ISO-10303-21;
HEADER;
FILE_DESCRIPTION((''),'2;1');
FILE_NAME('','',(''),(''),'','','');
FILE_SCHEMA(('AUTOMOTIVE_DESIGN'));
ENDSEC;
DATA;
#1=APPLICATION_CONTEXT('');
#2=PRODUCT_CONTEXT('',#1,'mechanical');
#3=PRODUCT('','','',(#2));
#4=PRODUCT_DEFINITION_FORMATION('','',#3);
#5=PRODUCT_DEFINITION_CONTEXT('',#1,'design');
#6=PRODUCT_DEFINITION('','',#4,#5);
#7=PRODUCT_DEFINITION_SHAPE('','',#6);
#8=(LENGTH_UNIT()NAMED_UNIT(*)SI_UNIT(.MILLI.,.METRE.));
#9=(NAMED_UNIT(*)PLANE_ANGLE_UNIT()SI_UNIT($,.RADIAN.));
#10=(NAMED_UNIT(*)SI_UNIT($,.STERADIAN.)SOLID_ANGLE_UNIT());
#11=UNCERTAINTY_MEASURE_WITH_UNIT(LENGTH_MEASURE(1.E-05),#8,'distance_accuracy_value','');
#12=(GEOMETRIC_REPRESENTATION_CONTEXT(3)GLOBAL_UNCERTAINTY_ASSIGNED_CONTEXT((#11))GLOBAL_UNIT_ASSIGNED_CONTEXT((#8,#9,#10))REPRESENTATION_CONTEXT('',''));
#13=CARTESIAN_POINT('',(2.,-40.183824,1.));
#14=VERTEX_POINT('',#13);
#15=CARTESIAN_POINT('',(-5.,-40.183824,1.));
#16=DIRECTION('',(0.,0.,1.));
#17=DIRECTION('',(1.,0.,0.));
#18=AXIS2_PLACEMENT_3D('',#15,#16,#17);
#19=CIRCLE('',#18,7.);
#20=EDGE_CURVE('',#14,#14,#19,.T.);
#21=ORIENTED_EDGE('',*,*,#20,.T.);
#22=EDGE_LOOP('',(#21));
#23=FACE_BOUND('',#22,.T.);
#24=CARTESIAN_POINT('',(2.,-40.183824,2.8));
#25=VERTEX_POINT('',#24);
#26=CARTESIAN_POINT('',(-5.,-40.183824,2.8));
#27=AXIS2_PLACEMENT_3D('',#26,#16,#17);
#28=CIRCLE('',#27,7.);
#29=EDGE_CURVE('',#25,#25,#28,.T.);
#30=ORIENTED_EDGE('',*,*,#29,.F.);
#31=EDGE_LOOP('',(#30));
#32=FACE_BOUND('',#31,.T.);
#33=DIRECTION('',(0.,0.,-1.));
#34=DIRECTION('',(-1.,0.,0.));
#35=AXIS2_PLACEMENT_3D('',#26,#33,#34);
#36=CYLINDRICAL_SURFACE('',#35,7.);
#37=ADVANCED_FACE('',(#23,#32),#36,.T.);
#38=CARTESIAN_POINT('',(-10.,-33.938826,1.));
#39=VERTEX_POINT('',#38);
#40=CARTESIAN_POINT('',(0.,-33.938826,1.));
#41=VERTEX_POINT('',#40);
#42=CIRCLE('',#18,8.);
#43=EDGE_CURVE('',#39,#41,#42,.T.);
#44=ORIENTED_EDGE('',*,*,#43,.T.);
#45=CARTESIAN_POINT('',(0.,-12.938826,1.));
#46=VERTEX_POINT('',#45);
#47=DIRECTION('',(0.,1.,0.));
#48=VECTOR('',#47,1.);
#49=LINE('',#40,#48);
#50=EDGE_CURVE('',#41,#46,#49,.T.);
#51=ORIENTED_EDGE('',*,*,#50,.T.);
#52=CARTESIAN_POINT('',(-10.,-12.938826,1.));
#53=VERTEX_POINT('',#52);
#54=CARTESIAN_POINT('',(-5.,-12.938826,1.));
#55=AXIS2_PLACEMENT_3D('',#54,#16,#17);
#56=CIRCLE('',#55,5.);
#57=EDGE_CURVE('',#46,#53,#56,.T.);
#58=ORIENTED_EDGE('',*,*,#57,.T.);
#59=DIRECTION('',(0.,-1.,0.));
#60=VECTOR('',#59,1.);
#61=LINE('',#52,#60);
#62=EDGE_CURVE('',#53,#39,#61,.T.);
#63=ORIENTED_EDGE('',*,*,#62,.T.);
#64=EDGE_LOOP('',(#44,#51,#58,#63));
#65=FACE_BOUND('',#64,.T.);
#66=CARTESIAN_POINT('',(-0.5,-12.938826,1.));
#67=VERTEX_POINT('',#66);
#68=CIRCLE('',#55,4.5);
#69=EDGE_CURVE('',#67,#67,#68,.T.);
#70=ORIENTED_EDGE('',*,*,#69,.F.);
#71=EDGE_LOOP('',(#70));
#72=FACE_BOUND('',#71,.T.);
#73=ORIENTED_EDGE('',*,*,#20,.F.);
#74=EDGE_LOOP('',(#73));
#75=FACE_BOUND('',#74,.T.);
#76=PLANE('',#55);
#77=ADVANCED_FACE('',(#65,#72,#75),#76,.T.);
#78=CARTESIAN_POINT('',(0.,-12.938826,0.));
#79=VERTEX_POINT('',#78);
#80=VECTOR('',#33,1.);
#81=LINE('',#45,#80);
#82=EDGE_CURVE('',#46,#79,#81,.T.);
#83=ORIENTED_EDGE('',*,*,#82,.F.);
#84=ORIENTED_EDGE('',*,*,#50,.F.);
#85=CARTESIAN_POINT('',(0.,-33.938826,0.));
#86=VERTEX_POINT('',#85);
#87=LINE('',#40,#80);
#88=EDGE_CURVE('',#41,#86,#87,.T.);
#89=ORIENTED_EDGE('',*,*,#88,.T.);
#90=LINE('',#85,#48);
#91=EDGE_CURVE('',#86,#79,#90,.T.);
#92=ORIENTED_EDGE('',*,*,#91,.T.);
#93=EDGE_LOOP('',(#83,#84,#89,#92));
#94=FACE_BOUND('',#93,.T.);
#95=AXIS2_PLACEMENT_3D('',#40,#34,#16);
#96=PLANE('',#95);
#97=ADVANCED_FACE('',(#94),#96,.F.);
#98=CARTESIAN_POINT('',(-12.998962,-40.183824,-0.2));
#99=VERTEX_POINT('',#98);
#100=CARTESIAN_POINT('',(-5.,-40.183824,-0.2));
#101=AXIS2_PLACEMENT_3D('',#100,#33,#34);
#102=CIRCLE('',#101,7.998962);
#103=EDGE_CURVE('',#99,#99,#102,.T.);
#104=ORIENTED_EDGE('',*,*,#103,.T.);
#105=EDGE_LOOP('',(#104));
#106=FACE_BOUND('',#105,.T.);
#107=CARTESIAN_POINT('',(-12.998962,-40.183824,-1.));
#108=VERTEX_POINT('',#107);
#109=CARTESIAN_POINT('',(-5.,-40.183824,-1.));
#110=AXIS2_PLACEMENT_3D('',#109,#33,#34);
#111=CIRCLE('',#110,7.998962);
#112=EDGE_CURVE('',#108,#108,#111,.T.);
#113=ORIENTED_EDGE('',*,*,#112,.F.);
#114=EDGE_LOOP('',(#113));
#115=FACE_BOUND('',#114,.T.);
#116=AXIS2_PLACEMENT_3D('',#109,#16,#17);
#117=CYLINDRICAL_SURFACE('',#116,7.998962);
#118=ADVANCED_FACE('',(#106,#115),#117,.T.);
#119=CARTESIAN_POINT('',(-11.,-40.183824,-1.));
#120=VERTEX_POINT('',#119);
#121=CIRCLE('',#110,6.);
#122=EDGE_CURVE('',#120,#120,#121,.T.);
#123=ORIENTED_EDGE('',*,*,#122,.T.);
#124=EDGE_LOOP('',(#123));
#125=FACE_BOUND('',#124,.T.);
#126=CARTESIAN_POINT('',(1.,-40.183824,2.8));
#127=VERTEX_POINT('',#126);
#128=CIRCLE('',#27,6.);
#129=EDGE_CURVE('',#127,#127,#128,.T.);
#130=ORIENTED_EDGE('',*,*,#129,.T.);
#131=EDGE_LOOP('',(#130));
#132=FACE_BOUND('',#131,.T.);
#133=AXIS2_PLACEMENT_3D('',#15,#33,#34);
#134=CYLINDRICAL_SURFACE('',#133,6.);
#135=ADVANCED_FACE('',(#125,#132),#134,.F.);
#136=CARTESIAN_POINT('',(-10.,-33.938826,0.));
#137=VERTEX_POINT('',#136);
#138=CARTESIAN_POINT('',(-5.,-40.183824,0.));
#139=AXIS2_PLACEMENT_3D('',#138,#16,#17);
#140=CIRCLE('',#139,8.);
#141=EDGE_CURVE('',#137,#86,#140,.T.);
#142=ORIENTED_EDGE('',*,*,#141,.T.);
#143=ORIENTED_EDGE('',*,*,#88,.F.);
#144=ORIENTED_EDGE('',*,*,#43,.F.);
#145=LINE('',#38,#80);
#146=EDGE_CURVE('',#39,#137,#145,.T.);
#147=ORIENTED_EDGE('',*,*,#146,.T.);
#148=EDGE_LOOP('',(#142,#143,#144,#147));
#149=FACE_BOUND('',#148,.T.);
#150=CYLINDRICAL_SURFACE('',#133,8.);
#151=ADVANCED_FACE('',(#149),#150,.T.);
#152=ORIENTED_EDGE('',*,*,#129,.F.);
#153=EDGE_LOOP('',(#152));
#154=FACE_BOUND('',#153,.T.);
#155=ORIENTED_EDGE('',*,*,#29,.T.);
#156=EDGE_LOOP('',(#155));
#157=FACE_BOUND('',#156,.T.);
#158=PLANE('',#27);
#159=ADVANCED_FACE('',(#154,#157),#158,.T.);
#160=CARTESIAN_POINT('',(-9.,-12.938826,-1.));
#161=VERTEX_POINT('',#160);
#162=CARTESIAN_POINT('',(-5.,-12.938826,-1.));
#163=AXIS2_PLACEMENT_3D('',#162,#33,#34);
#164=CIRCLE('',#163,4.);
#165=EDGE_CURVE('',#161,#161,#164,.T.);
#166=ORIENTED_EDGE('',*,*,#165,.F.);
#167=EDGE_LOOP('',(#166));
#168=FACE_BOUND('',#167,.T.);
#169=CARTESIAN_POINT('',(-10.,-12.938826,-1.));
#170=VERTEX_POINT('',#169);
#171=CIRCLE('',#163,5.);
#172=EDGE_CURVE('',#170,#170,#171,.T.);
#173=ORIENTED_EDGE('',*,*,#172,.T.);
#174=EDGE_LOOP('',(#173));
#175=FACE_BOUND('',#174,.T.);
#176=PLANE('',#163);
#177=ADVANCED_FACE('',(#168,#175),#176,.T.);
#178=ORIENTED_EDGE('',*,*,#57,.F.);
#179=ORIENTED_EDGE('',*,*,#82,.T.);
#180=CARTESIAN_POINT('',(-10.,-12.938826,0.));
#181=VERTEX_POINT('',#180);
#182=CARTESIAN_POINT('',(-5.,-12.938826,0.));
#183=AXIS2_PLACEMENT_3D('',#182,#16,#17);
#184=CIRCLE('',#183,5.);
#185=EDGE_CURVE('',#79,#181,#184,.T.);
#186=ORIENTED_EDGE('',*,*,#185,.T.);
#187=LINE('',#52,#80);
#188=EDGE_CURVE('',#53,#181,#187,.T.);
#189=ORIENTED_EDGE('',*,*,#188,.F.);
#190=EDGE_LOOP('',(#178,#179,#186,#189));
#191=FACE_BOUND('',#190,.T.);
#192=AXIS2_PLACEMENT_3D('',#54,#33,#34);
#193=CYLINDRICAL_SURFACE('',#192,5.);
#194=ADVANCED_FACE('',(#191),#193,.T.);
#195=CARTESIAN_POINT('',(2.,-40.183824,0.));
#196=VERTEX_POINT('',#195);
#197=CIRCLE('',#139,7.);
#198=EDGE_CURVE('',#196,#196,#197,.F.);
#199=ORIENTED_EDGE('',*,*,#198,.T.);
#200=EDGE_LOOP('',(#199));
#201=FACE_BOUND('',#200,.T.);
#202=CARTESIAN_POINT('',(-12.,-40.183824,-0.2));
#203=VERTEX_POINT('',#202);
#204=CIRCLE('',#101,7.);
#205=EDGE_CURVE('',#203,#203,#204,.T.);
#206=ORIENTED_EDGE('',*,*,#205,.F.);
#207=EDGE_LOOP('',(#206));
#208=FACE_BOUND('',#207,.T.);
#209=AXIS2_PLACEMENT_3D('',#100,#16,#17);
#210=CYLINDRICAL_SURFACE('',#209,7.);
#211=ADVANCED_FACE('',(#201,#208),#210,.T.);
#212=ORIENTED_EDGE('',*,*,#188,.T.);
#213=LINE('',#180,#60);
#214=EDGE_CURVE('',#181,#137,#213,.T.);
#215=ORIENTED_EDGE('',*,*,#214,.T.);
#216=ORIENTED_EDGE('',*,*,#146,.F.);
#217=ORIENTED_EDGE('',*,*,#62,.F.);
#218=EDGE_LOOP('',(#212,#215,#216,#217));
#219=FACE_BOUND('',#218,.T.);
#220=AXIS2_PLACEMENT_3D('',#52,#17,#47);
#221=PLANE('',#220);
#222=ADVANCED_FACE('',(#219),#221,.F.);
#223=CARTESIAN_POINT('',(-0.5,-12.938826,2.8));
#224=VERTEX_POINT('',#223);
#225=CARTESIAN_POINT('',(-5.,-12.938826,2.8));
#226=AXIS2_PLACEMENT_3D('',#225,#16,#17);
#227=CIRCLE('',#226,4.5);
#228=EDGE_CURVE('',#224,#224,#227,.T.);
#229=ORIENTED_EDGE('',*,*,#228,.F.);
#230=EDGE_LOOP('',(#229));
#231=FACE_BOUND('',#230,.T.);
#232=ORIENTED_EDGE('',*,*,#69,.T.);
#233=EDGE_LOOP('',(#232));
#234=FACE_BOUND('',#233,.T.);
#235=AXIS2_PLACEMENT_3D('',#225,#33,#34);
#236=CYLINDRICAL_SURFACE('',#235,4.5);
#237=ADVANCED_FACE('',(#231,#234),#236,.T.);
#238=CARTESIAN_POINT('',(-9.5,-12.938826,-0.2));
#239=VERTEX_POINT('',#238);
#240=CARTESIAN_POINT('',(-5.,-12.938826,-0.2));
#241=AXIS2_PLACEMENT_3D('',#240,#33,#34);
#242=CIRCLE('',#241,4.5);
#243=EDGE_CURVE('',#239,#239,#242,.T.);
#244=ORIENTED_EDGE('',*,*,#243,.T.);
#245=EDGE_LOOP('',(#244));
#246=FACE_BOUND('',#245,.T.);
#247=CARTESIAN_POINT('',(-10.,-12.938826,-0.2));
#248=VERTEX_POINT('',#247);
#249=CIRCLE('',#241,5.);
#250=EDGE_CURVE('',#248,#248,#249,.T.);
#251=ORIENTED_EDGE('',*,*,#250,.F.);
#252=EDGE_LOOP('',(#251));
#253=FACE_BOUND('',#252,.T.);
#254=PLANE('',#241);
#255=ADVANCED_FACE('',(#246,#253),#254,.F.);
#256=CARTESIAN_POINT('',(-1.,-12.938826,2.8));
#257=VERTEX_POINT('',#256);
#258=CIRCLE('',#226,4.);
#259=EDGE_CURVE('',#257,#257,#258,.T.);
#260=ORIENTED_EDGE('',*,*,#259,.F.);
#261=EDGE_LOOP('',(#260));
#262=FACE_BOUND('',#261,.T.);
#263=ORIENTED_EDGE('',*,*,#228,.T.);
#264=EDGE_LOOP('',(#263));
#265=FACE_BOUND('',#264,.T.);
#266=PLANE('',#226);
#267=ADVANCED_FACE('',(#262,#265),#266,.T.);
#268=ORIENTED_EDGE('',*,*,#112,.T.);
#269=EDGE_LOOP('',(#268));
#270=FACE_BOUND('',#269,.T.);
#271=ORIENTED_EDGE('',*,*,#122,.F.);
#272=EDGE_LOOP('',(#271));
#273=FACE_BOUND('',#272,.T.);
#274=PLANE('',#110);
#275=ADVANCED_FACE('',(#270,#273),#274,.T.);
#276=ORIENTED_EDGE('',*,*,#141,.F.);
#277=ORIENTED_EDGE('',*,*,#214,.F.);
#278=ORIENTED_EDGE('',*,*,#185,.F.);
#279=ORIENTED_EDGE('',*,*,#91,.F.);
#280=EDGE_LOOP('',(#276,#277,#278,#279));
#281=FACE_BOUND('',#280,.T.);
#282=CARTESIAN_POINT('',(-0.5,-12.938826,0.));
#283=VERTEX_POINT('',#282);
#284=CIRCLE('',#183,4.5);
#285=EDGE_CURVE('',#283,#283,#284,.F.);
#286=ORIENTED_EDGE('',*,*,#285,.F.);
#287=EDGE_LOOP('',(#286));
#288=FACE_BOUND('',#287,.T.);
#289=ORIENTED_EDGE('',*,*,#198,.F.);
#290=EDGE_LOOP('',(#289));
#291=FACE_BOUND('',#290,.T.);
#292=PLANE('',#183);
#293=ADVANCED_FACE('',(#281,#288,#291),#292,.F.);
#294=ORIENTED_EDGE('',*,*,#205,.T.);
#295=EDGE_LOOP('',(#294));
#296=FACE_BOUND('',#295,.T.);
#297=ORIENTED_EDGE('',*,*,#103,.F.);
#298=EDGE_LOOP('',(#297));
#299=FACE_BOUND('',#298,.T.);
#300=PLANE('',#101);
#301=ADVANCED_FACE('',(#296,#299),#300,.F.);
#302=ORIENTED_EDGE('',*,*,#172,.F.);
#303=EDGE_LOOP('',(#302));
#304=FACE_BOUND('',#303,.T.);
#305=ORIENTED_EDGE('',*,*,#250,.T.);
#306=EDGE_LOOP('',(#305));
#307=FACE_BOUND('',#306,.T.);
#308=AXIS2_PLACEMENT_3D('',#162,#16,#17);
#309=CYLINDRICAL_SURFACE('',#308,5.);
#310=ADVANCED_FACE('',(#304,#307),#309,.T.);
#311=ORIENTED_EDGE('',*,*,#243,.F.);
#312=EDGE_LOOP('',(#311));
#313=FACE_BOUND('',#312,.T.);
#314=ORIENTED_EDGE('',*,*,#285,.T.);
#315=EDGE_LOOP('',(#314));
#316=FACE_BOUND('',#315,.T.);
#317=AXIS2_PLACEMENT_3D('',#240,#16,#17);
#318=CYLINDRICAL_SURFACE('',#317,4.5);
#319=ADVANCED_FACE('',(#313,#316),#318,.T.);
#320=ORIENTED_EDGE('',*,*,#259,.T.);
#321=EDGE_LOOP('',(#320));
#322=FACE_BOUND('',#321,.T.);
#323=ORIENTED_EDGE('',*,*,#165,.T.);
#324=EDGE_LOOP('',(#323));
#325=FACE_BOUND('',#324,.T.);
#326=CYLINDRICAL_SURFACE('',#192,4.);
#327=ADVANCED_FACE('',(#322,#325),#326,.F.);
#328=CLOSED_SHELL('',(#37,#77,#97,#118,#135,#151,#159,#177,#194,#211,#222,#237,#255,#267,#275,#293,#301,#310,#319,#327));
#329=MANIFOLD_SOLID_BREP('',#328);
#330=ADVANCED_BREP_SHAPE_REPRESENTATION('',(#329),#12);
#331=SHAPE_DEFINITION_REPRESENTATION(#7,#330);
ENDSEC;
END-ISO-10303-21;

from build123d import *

# Parameters (mm, degrees)
CROQUIS1_R              = 6
CROQUIS1_R_2            = 4
SALIENTE_EXTRUIR1_DEPTH = 1
CROQUIS2_R              = 7
CROQUIS2_R_2            = 6
CROQUIS2_R_3            = 4.5
CROQUIS2_R_4            = 4
SALIENTE_EXTRUIR2_DEPTH = 1.8
CROQUIS3_R              = 7
CROQUIS3_R_2            = 6
CROQUIS3_R_3            = 4.5
CROQUIS3_R_4            = 4
SALIENTE_EXTRUIR3_DEPTH = 0.2
CROQUIS4_R              = 7.99896204
CROQUIS4_R_2            = 6
CROQUIS4_R_3            = 5
CROQUIS4_R_4            = 4
SALIENTE_EXTRUIR4_DEPTH = 0.8


with BuildPart() as part:
    # Croquis1 → Saliente-Extruir1 (new body)
    with BuildSketch(Plane.XY):
        with BuildLine():
            Line((-10, -12.938825758), (-10, -33.938825758))
            ThreePointArc((-10, -33.938825758), (-5, -48.183823756), (0, -33.938825758))
            Line((0, -33.938825758), (0, -12.938825758))
            ThreePointArc((0, -12.938825758), (-5, -7.938825758), (-10, -12.938825758))
        make_face()
        with Locations((-5, -40.183823756)):
            Circle(CROQUIS1_R, mode=Mode.SUBTRACT)
        with Locations((-5, -12.938825758)):
            Circle(CROQUIS1_R_2, mode=Mode.SUBTRACT)
    extrude(amount=SALIENTE_EXTRUIR1_DEPTH)

    # Croquis2 → Saliente-Extruir2 (add)
    with BuildSketch(Plane.XY.offset(1)):
        with Locations((-5, -40.183823756)):
            Circle(CROQUIS2_R)
        with Locations((-5, -40.183823756)):
            Circle(CROQUIS2_R_2, mode=Mode.SUBTRACT)
        with Locations((-5, -12.938825758)):
            Circle(CROQUIS2_R_3)
        with Locations((-5, -12.938825758)):
            Circle(CROQUIS2_R_4, mode=Mode.SUBTRACT)
    extrude(amount=SALIENTE_EXTRUIR2_DEPTH)

    # Croquis3 → Saliente-Extruir3 (add)
    with BuildSketch(Plane(origin=(0, 0, 0), x_dir=(-1, 0, 0), z_dir=(0, 0, -1))):
        with Locations((5, -40.183823756)):
            Circle(CROQUIS3_R)
        with Locations((5, -40.183823756)):
            Circle(CROQUIS3_R_2, mode=Mode.SUBTRACT)
        with Locations((5, -12.938825758)):
            Circle(CROQUIS3_R_3)
        with Locations((5, -12.938825758)):
            Circle(CROQUIS3_R_4, mode=Mode.SUBTRACT)
    extrude(amount=SALIENTE_EXTRUIR3_DEPTH)

    # Croquis4 → Saliente-Extruir4 (add)
    with BuildSketch(Plane(origin=(0, 0, -0.2), x_dir=(-1, 0, 0), z_dir=(0, 0, -1))):
        with Locations((5, -40.183823756)):
            Circle(CROQUIS4_R)
        with Locations((5, -40.183823756)):
            Circle(CROQUIS4_R_2, mode=Mode.SUBTRACT)
        with Locations((5, -12.938825758)):
            Circle(CROQUIS4_R_3)
        with Locations((5, -12.938825758)):
            Circle(CROQUIS4_R_4, mode=Mode.SUBTRACT)
    extrude(amount=SALIENTE_EXTRUIR4_DEPTH)


solid = part.part
